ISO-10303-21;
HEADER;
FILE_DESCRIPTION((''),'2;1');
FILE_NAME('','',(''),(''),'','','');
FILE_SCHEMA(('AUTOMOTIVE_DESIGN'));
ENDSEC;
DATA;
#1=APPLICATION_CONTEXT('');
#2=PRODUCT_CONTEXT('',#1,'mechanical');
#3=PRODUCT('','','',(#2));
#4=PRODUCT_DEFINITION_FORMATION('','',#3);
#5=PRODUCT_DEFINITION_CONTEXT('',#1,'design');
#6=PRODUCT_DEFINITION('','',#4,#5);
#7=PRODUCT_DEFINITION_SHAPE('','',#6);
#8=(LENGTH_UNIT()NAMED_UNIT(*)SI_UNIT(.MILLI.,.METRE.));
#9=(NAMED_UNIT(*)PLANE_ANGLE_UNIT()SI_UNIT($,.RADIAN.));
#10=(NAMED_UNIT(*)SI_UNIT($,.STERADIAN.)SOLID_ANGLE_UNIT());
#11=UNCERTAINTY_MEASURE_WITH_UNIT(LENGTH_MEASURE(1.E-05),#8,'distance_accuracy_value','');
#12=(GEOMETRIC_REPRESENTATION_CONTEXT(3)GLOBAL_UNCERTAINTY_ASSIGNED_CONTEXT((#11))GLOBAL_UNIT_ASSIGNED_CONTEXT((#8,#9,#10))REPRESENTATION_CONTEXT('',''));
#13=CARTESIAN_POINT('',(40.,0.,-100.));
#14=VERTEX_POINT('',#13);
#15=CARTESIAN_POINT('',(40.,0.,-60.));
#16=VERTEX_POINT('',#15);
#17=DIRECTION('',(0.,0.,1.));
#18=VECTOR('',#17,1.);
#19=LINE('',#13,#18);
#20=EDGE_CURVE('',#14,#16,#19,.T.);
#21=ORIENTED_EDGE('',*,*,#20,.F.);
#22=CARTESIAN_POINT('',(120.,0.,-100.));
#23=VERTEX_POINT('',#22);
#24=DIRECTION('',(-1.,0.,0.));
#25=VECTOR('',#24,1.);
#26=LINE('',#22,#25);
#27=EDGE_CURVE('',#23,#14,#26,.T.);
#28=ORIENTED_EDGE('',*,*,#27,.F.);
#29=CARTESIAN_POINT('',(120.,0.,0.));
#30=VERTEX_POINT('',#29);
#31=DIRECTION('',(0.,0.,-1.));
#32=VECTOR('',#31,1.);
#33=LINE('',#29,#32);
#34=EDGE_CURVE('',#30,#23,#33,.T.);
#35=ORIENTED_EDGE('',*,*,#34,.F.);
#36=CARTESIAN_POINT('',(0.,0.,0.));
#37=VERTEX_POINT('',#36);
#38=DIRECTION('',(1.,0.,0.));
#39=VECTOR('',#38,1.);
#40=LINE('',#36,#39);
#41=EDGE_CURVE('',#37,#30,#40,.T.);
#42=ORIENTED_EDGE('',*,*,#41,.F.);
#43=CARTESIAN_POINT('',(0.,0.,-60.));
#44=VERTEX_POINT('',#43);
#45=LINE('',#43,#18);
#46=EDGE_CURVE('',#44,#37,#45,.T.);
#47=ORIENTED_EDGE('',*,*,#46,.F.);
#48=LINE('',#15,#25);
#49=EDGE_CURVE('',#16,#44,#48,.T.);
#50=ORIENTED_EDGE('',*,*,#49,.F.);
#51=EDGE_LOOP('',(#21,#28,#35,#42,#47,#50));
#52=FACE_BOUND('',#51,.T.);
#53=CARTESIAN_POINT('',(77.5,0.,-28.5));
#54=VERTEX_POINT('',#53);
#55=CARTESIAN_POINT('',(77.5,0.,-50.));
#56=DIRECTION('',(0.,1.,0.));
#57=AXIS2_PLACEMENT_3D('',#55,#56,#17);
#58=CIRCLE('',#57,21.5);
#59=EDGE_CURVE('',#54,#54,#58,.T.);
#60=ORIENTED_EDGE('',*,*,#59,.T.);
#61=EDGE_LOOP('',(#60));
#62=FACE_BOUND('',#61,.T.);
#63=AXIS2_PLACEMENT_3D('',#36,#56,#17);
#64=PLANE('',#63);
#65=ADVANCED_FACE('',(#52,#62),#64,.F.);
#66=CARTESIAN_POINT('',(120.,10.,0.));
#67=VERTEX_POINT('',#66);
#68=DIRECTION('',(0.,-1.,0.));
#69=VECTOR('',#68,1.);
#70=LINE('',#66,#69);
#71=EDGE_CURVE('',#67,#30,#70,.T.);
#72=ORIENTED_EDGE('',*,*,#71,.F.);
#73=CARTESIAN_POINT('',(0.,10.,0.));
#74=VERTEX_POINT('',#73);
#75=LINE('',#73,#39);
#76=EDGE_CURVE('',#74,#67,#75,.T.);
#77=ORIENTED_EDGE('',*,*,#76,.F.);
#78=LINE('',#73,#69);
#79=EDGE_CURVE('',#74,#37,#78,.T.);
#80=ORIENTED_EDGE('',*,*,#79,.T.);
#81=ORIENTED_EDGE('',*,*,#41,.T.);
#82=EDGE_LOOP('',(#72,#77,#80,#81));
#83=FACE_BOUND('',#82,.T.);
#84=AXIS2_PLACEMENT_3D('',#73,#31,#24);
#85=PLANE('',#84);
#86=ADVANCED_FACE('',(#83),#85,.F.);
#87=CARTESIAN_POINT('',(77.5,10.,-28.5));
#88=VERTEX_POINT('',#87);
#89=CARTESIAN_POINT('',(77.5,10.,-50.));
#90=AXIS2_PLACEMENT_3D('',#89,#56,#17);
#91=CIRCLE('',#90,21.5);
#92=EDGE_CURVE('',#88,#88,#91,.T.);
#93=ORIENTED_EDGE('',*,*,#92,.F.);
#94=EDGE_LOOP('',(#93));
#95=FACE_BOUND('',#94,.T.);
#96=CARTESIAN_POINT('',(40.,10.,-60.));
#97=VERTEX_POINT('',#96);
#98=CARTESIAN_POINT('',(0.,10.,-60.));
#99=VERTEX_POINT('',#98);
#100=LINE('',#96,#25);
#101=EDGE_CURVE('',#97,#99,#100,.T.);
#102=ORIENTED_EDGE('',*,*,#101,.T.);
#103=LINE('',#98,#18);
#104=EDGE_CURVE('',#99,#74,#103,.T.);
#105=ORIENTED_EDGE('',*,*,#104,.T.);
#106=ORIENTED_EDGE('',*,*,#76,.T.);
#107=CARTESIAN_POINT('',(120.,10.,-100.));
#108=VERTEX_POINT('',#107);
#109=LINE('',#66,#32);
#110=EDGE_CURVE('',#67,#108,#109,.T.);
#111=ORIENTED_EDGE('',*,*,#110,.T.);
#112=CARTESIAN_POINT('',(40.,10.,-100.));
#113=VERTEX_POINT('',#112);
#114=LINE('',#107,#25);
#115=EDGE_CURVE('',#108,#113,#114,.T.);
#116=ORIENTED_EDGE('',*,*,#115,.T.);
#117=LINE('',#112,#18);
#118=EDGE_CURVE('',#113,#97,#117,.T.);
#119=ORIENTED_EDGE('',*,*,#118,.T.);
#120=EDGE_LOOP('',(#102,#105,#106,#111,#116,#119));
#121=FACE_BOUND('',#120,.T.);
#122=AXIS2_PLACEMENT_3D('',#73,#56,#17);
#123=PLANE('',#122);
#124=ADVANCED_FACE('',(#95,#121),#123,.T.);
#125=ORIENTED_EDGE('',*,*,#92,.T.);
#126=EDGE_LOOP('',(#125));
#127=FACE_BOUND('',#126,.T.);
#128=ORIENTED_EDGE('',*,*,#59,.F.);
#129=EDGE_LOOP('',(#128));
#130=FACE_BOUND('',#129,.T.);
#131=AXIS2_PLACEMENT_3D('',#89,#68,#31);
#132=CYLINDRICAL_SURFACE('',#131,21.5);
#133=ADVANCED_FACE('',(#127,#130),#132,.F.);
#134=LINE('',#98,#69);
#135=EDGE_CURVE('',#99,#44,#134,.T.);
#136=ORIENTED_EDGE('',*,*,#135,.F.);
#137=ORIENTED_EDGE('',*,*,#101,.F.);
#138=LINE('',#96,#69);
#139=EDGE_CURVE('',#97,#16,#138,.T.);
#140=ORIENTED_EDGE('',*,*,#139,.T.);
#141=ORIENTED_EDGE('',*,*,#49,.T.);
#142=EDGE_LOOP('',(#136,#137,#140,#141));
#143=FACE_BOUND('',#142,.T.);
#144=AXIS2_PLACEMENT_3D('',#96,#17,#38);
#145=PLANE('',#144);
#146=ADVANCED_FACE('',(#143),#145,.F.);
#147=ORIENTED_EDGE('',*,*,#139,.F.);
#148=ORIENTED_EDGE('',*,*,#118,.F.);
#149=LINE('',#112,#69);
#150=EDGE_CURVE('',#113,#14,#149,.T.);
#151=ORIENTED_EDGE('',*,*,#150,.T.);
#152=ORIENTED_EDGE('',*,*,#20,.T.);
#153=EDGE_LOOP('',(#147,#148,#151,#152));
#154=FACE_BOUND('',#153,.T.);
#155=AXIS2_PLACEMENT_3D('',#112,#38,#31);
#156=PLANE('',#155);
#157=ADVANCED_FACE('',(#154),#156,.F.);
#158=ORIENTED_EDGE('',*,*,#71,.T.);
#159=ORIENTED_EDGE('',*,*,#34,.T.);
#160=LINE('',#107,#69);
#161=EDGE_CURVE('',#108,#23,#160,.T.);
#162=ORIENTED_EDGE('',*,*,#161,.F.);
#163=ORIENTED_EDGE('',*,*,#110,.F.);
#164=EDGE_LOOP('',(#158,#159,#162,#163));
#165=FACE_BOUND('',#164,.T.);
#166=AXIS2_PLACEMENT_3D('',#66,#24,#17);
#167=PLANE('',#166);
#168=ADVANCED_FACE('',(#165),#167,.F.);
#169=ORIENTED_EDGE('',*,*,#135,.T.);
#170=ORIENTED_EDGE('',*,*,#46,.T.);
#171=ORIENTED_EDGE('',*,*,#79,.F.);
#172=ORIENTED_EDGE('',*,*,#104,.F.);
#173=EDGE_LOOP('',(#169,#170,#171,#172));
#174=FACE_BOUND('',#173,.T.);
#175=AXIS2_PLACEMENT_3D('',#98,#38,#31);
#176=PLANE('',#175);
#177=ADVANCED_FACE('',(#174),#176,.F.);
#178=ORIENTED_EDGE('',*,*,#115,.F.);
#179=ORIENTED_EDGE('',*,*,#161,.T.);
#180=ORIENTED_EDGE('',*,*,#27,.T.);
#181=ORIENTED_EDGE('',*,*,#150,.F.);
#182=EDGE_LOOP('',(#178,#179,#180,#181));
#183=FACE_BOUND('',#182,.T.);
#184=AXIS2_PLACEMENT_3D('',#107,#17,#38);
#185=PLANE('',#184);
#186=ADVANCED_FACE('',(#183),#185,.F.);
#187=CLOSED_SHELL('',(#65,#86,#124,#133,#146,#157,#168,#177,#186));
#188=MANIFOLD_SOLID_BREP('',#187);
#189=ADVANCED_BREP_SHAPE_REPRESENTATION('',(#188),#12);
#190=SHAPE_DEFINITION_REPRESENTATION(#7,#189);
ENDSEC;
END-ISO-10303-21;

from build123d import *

# Parameters (mm, degrees)
SKETCH_1_R      = 21.5
EXTRUDE_1_DEPTH = 10


with BuildPart() as part:
    # Эскиз1 → Бобышка-Вытянуть1 (new body)
    with BuildSketch(Plane(origin=(0, 0, 0), x_dir=(1, 0, 0), z_dir=(0, 1, 0))):
        Polygon((0, 0), (120, 0), (120, 100), (40, 100), (40, 60), (0, 60), align=None)
        with Locations((77.5, 50)):
            Circle(SKETCH_1_R, mode=Mode.SUBTRACT)
    extrude(amount=EXTRUDE_1_DEPTH)


solid = part.part
